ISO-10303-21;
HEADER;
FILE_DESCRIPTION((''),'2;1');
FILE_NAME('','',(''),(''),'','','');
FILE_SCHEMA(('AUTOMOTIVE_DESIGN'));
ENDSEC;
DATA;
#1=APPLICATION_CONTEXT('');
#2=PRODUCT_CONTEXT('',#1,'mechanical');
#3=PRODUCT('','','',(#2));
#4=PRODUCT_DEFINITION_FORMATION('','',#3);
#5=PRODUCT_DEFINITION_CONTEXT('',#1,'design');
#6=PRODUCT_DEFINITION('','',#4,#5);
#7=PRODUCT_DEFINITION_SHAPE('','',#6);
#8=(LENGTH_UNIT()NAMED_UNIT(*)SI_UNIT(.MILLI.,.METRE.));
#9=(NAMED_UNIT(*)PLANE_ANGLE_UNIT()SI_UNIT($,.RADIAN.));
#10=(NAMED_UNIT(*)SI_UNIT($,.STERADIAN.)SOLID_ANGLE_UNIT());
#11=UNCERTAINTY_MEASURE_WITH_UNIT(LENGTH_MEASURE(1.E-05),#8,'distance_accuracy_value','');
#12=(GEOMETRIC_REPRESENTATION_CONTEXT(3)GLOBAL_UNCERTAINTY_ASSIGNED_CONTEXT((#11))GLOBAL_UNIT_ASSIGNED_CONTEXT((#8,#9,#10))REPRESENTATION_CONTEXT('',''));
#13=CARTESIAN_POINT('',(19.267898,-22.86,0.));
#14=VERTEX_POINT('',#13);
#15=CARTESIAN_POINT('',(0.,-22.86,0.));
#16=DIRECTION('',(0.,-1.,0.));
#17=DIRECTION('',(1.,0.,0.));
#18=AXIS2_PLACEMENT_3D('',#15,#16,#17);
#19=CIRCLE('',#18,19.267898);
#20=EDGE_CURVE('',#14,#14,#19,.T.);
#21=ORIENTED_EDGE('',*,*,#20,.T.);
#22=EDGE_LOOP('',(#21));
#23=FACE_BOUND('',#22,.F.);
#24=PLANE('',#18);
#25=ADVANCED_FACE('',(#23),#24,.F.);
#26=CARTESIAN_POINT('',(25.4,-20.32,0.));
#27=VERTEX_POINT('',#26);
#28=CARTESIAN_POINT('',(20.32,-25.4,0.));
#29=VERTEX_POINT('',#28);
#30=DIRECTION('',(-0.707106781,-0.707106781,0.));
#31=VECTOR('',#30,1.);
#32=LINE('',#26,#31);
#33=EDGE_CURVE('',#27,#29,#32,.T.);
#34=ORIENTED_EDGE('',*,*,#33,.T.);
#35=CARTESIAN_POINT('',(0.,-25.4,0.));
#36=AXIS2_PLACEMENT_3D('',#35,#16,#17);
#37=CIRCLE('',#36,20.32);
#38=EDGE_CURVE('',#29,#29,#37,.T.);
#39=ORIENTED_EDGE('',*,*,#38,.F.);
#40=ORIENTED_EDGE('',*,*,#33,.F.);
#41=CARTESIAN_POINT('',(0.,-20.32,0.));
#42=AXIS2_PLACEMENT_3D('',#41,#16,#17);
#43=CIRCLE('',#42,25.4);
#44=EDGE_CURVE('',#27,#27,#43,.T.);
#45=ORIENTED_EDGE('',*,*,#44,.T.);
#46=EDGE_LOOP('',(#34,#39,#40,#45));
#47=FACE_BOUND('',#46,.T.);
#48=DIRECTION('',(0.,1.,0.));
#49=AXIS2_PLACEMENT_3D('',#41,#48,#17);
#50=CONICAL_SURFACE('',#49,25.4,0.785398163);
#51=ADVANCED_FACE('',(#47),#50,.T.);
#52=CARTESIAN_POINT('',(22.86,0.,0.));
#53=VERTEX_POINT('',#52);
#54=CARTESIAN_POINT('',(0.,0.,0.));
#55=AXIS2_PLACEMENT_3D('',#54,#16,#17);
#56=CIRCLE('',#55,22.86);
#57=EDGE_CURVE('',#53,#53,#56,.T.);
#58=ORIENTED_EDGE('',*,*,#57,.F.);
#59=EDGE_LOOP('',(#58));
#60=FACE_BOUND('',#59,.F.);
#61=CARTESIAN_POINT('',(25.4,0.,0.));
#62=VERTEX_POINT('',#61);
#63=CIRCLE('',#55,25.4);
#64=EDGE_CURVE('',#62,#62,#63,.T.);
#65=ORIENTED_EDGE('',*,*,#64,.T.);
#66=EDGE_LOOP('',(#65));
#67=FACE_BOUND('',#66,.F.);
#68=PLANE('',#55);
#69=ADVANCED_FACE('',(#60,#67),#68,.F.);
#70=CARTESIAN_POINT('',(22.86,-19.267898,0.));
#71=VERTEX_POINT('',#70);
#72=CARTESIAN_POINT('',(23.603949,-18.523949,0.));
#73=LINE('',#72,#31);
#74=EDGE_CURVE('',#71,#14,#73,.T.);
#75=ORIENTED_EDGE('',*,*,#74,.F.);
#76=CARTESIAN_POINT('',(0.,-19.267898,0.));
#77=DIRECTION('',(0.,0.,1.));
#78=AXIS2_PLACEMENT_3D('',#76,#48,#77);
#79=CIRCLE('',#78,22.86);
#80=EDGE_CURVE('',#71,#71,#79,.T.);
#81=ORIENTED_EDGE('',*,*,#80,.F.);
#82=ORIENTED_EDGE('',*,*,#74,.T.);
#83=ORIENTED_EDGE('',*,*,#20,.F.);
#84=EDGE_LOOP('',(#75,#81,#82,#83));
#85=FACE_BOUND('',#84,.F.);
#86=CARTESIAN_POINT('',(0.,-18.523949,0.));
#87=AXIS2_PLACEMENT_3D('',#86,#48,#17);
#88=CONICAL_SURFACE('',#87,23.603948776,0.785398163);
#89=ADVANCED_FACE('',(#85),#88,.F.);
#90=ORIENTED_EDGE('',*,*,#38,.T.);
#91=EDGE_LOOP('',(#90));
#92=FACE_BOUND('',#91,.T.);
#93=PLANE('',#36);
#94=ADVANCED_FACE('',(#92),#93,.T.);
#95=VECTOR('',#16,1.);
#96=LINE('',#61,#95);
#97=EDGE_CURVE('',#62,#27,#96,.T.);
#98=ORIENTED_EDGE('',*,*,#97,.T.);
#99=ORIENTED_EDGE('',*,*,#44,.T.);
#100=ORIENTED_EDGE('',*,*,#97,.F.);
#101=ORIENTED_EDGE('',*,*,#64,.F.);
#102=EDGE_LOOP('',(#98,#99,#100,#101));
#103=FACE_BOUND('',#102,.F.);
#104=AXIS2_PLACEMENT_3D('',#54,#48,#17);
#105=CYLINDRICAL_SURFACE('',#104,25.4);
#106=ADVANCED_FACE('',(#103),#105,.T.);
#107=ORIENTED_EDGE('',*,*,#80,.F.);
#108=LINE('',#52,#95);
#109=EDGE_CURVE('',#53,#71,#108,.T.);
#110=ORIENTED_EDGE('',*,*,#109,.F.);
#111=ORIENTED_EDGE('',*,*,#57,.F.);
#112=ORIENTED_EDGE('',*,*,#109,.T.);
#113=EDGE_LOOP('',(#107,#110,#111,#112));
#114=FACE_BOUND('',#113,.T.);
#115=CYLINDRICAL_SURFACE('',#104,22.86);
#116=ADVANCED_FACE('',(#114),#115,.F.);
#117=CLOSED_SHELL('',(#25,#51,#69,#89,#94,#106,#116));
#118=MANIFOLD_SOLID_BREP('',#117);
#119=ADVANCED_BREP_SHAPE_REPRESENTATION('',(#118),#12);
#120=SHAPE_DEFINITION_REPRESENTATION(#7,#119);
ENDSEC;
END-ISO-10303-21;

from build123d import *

# Parameters (mm, degrees)
F0_R     = 25.4
F1_DEPTH = 25.4
F2_SIZE  = 5.08
F3_T     = -2.54


with BuildPart() as f1:
    # F0 (on Front) → F1 (new body)
    with BuildSketch(Plane.XZ):
        Circle(F0_R)
    extrude(amount=F1_DEPTH)

    # F2
    f2_edges = [f1.edges().sort_by_distance(p)[0] for p in [
        (-25.4, -25.4, 0),
    ]]
    chamfer(f2_edges, length=F2_SIZE)

    # F3
    f3_openings = [f1.faces().sort_by_distance(p)[0] for p in [
        (0, 0, 0),
    ]]
    offset(amount=F3_T, openings=f3_openings)


solid = f1.part
